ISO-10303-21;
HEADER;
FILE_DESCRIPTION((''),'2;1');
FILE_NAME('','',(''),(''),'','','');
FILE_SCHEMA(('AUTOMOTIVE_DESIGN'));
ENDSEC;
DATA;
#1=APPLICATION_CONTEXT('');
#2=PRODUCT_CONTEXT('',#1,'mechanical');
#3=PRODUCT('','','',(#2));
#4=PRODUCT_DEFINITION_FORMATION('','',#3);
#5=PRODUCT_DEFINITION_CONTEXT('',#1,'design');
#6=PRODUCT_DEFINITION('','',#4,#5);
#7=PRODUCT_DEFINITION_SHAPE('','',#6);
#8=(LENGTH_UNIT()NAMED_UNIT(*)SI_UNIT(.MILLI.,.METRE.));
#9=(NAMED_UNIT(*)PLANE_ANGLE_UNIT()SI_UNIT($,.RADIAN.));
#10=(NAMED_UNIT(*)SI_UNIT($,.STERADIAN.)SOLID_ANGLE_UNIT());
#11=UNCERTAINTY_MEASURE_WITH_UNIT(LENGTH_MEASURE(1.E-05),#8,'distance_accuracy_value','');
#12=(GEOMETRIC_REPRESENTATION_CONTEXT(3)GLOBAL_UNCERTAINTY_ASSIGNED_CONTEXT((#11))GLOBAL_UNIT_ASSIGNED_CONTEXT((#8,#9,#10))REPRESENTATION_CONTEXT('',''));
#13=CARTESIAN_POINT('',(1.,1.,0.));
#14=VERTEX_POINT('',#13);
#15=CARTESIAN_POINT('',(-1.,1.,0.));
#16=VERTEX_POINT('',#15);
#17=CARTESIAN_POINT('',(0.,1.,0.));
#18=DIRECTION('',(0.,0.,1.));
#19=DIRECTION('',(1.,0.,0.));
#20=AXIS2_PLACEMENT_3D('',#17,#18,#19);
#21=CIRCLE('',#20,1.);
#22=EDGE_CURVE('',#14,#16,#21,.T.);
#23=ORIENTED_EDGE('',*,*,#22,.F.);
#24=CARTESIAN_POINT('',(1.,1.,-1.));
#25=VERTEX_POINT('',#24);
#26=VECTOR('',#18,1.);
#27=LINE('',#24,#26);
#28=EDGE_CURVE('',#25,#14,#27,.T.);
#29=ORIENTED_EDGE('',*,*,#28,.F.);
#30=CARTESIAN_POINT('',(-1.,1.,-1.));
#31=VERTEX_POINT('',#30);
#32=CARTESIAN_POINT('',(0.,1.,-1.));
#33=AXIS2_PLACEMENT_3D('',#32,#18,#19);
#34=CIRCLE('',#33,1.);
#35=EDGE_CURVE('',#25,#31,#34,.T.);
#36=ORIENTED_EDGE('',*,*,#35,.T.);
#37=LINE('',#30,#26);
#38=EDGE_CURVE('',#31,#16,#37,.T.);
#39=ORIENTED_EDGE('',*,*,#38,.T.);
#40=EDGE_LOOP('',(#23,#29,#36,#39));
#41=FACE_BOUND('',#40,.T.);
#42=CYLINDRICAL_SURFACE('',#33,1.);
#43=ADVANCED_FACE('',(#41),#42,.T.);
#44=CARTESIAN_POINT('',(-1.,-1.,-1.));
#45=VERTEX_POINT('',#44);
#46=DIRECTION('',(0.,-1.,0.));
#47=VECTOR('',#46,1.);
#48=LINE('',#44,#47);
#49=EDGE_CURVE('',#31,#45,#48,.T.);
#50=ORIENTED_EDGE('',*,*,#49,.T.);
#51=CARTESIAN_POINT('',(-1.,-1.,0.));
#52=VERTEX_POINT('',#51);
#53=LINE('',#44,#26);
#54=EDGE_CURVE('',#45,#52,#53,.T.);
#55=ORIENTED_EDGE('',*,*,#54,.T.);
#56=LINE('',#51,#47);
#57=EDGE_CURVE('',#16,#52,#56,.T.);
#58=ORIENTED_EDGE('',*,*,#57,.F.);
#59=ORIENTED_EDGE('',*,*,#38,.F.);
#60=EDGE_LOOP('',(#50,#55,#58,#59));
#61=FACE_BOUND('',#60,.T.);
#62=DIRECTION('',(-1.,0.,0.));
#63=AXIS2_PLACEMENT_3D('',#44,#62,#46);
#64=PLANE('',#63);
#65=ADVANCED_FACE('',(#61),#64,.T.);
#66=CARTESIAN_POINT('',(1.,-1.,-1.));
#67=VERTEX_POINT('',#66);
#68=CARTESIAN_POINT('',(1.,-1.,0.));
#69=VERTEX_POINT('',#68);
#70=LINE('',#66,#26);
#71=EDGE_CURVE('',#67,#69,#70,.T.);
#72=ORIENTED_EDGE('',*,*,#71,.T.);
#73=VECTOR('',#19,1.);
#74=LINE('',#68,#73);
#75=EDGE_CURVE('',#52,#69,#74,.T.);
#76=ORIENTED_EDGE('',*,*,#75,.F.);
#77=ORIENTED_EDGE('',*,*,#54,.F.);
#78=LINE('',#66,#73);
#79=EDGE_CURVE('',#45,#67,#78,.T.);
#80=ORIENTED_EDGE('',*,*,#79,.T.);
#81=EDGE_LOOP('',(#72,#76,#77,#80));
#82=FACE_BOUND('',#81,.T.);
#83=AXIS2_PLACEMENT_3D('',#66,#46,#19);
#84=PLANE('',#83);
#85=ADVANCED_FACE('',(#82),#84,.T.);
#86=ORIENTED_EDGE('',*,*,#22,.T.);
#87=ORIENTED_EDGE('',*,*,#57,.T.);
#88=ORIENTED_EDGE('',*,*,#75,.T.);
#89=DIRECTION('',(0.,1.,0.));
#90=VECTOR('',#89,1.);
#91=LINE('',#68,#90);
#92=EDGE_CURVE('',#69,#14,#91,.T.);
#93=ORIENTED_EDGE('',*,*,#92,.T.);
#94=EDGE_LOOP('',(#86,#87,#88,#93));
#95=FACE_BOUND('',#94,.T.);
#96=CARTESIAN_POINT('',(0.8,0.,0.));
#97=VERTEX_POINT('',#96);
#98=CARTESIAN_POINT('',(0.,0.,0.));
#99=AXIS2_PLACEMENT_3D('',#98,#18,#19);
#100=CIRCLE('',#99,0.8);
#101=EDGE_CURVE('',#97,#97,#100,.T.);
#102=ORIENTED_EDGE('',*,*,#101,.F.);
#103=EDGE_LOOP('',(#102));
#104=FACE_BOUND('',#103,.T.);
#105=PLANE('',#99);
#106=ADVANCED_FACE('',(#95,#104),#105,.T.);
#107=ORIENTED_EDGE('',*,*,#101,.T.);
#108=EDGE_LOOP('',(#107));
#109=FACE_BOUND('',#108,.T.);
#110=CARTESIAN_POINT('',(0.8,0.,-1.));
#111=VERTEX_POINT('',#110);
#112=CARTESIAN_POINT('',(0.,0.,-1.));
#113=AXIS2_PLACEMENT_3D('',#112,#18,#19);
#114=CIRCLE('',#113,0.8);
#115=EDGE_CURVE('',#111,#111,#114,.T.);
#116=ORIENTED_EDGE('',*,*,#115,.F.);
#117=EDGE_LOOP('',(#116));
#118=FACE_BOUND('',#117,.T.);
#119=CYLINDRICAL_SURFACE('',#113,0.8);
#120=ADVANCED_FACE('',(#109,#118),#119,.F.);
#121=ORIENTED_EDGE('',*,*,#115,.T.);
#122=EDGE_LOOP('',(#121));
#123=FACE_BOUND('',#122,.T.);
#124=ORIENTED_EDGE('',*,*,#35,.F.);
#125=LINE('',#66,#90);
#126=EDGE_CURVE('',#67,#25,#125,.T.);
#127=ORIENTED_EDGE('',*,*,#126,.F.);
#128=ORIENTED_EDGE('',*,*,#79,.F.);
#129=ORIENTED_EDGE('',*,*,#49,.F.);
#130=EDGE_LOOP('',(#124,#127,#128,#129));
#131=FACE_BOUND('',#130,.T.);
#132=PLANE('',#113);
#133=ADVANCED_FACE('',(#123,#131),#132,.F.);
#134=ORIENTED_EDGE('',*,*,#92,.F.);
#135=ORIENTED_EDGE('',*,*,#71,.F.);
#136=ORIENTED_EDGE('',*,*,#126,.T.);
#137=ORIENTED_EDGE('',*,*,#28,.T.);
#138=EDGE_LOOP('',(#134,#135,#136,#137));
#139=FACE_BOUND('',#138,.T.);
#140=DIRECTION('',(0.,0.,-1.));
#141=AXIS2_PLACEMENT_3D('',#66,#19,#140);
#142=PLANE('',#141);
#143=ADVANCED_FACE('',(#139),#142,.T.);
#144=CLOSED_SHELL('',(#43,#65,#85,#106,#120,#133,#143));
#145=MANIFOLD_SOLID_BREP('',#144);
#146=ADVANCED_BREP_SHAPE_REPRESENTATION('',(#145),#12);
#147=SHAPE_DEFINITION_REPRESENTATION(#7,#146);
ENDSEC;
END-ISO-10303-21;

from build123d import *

# Parameters (mm, degrees)
SKETCH2_W           = 2
SKETCH2_H           = 2
BOSS_EXTRUDE1_DEPTH = 1
SKETCH3_R           = 1
BOSS_EXTRUDE2_DEPTH = 1
SKETCH1_R           = 0.8
CUT_EXTRUDE1_DEPTH  = 1


with BuildPart() as part:
    # Sketch2 → Boss-Extrude1 (new body)
    with BuildSketch(Plane.XY):
        Rectangle(SKETCH2_W, SKETCH2_H)
    extrude(amount=-BOSS_EXTRUDE1_DEPTH)

    # Sketch3 → Boss-Extrude2 (add)
    with BuildSketch(Plane.XY):
        with Locations((0, 1)):
            Circle(SKETCH3_R)
    extrude(amount=-BOSS_EXTRUDE2_DEPTH)

    # Sketch1 → Cut-Extrude1 (cut)
    with BuildSketch(Plane.XY):
        Circle(SKETCH1_R)
    extrude(amount=-CUT_EXTRUDE1_DEPTH, mode=Mode.SUBTRACT)


solid = part.part
